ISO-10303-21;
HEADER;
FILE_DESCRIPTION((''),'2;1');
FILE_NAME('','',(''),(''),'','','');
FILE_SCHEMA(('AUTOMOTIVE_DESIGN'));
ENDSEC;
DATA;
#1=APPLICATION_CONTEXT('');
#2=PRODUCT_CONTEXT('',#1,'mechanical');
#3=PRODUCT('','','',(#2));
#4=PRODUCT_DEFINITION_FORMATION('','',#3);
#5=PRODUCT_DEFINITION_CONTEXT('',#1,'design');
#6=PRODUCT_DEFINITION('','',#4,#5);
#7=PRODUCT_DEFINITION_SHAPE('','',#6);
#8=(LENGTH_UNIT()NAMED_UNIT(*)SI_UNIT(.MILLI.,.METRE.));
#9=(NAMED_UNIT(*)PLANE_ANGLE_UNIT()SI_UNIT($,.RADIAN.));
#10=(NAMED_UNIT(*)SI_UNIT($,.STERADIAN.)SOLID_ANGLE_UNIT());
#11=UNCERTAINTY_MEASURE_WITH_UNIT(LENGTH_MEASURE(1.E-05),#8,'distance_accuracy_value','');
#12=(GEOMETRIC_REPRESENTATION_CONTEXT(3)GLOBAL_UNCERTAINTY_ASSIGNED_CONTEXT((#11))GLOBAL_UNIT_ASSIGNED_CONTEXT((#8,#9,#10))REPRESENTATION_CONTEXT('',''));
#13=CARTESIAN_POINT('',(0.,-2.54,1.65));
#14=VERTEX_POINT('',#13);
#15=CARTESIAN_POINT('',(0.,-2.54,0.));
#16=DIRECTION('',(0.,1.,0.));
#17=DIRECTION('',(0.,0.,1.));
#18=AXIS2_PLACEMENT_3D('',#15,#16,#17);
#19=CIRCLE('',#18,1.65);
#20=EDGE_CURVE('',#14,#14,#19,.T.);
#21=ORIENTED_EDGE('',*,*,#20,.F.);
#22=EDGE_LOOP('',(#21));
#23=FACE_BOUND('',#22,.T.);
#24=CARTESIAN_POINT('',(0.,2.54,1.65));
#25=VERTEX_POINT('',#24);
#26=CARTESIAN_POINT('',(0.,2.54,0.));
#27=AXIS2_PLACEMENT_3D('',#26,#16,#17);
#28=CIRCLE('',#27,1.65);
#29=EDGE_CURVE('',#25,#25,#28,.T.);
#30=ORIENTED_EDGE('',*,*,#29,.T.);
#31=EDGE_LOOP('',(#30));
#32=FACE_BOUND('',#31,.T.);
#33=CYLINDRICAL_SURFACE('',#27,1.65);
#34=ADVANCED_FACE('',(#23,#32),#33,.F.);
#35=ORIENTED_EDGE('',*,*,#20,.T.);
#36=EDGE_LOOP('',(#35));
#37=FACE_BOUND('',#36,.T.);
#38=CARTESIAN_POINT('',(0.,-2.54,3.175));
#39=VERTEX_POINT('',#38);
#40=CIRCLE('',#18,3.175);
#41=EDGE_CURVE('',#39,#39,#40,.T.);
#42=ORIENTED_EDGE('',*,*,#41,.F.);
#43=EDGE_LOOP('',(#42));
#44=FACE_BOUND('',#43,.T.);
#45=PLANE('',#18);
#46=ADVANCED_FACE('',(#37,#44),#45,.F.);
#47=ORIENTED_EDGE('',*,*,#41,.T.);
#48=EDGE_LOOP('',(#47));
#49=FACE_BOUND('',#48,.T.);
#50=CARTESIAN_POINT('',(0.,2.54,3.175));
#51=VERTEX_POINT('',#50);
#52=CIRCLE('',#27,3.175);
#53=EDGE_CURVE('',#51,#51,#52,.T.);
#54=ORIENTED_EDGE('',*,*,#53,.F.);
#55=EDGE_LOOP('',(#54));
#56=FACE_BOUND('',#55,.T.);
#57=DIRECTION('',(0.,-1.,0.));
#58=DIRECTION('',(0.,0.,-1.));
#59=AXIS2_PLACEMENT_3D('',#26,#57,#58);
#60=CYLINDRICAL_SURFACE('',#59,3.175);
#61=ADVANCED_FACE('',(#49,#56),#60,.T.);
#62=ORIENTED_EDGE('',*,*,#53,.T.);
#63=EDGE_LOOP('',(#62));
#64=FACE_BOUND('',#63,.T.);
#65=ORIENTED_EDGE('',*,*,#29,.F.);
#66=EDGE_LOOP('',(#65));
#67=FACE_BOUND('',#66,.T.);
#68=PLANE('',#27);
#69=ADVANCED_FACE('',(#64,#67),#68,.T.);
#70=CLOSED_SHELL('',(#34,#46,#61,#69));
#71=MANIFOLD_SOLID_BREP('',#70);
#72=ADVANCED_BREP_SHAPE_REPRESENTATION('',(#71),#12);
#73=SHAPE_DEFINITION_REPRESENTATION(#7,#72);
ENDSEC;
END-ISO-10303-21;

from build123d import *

# Parameters (mm, degrees)
SKETCH1_R                 = 3.175
BOSS_EXTRUDE1_DEPTH       = 2.54
M4X0_7_TAPPED_HOLE1_D     = 3.3
M4X0_7_TAPPED_HOLE1_DEPTH = 9.906


with BuildPart() as part:
    # Sketch1 → Boss-Extrude1 (new body, symmetric)
    with BuildSketch(Plane(origin=(0, 0, 0), x_dir=(1, 0, 0), z_dir=(0, 1, 0))):
        Circle(SKETCH1_R)
    extrude(amount=BOSS_EXTRUDE1_DEPTH, both=True)

    # M4x0.7 Tapped Hole1
    with Locations(Plane(origin=(0, 2.54, 0), x_dir=(1, 0, 0), z_dir=(0, 1, 0))):
        with Locations((0, 0)):
            Hole(M4X0_7_TAPPED_HOLE1_D / 2, depth=M4X0_7_TAPPED_HOLE1_DEPTH)


solid = part.part
